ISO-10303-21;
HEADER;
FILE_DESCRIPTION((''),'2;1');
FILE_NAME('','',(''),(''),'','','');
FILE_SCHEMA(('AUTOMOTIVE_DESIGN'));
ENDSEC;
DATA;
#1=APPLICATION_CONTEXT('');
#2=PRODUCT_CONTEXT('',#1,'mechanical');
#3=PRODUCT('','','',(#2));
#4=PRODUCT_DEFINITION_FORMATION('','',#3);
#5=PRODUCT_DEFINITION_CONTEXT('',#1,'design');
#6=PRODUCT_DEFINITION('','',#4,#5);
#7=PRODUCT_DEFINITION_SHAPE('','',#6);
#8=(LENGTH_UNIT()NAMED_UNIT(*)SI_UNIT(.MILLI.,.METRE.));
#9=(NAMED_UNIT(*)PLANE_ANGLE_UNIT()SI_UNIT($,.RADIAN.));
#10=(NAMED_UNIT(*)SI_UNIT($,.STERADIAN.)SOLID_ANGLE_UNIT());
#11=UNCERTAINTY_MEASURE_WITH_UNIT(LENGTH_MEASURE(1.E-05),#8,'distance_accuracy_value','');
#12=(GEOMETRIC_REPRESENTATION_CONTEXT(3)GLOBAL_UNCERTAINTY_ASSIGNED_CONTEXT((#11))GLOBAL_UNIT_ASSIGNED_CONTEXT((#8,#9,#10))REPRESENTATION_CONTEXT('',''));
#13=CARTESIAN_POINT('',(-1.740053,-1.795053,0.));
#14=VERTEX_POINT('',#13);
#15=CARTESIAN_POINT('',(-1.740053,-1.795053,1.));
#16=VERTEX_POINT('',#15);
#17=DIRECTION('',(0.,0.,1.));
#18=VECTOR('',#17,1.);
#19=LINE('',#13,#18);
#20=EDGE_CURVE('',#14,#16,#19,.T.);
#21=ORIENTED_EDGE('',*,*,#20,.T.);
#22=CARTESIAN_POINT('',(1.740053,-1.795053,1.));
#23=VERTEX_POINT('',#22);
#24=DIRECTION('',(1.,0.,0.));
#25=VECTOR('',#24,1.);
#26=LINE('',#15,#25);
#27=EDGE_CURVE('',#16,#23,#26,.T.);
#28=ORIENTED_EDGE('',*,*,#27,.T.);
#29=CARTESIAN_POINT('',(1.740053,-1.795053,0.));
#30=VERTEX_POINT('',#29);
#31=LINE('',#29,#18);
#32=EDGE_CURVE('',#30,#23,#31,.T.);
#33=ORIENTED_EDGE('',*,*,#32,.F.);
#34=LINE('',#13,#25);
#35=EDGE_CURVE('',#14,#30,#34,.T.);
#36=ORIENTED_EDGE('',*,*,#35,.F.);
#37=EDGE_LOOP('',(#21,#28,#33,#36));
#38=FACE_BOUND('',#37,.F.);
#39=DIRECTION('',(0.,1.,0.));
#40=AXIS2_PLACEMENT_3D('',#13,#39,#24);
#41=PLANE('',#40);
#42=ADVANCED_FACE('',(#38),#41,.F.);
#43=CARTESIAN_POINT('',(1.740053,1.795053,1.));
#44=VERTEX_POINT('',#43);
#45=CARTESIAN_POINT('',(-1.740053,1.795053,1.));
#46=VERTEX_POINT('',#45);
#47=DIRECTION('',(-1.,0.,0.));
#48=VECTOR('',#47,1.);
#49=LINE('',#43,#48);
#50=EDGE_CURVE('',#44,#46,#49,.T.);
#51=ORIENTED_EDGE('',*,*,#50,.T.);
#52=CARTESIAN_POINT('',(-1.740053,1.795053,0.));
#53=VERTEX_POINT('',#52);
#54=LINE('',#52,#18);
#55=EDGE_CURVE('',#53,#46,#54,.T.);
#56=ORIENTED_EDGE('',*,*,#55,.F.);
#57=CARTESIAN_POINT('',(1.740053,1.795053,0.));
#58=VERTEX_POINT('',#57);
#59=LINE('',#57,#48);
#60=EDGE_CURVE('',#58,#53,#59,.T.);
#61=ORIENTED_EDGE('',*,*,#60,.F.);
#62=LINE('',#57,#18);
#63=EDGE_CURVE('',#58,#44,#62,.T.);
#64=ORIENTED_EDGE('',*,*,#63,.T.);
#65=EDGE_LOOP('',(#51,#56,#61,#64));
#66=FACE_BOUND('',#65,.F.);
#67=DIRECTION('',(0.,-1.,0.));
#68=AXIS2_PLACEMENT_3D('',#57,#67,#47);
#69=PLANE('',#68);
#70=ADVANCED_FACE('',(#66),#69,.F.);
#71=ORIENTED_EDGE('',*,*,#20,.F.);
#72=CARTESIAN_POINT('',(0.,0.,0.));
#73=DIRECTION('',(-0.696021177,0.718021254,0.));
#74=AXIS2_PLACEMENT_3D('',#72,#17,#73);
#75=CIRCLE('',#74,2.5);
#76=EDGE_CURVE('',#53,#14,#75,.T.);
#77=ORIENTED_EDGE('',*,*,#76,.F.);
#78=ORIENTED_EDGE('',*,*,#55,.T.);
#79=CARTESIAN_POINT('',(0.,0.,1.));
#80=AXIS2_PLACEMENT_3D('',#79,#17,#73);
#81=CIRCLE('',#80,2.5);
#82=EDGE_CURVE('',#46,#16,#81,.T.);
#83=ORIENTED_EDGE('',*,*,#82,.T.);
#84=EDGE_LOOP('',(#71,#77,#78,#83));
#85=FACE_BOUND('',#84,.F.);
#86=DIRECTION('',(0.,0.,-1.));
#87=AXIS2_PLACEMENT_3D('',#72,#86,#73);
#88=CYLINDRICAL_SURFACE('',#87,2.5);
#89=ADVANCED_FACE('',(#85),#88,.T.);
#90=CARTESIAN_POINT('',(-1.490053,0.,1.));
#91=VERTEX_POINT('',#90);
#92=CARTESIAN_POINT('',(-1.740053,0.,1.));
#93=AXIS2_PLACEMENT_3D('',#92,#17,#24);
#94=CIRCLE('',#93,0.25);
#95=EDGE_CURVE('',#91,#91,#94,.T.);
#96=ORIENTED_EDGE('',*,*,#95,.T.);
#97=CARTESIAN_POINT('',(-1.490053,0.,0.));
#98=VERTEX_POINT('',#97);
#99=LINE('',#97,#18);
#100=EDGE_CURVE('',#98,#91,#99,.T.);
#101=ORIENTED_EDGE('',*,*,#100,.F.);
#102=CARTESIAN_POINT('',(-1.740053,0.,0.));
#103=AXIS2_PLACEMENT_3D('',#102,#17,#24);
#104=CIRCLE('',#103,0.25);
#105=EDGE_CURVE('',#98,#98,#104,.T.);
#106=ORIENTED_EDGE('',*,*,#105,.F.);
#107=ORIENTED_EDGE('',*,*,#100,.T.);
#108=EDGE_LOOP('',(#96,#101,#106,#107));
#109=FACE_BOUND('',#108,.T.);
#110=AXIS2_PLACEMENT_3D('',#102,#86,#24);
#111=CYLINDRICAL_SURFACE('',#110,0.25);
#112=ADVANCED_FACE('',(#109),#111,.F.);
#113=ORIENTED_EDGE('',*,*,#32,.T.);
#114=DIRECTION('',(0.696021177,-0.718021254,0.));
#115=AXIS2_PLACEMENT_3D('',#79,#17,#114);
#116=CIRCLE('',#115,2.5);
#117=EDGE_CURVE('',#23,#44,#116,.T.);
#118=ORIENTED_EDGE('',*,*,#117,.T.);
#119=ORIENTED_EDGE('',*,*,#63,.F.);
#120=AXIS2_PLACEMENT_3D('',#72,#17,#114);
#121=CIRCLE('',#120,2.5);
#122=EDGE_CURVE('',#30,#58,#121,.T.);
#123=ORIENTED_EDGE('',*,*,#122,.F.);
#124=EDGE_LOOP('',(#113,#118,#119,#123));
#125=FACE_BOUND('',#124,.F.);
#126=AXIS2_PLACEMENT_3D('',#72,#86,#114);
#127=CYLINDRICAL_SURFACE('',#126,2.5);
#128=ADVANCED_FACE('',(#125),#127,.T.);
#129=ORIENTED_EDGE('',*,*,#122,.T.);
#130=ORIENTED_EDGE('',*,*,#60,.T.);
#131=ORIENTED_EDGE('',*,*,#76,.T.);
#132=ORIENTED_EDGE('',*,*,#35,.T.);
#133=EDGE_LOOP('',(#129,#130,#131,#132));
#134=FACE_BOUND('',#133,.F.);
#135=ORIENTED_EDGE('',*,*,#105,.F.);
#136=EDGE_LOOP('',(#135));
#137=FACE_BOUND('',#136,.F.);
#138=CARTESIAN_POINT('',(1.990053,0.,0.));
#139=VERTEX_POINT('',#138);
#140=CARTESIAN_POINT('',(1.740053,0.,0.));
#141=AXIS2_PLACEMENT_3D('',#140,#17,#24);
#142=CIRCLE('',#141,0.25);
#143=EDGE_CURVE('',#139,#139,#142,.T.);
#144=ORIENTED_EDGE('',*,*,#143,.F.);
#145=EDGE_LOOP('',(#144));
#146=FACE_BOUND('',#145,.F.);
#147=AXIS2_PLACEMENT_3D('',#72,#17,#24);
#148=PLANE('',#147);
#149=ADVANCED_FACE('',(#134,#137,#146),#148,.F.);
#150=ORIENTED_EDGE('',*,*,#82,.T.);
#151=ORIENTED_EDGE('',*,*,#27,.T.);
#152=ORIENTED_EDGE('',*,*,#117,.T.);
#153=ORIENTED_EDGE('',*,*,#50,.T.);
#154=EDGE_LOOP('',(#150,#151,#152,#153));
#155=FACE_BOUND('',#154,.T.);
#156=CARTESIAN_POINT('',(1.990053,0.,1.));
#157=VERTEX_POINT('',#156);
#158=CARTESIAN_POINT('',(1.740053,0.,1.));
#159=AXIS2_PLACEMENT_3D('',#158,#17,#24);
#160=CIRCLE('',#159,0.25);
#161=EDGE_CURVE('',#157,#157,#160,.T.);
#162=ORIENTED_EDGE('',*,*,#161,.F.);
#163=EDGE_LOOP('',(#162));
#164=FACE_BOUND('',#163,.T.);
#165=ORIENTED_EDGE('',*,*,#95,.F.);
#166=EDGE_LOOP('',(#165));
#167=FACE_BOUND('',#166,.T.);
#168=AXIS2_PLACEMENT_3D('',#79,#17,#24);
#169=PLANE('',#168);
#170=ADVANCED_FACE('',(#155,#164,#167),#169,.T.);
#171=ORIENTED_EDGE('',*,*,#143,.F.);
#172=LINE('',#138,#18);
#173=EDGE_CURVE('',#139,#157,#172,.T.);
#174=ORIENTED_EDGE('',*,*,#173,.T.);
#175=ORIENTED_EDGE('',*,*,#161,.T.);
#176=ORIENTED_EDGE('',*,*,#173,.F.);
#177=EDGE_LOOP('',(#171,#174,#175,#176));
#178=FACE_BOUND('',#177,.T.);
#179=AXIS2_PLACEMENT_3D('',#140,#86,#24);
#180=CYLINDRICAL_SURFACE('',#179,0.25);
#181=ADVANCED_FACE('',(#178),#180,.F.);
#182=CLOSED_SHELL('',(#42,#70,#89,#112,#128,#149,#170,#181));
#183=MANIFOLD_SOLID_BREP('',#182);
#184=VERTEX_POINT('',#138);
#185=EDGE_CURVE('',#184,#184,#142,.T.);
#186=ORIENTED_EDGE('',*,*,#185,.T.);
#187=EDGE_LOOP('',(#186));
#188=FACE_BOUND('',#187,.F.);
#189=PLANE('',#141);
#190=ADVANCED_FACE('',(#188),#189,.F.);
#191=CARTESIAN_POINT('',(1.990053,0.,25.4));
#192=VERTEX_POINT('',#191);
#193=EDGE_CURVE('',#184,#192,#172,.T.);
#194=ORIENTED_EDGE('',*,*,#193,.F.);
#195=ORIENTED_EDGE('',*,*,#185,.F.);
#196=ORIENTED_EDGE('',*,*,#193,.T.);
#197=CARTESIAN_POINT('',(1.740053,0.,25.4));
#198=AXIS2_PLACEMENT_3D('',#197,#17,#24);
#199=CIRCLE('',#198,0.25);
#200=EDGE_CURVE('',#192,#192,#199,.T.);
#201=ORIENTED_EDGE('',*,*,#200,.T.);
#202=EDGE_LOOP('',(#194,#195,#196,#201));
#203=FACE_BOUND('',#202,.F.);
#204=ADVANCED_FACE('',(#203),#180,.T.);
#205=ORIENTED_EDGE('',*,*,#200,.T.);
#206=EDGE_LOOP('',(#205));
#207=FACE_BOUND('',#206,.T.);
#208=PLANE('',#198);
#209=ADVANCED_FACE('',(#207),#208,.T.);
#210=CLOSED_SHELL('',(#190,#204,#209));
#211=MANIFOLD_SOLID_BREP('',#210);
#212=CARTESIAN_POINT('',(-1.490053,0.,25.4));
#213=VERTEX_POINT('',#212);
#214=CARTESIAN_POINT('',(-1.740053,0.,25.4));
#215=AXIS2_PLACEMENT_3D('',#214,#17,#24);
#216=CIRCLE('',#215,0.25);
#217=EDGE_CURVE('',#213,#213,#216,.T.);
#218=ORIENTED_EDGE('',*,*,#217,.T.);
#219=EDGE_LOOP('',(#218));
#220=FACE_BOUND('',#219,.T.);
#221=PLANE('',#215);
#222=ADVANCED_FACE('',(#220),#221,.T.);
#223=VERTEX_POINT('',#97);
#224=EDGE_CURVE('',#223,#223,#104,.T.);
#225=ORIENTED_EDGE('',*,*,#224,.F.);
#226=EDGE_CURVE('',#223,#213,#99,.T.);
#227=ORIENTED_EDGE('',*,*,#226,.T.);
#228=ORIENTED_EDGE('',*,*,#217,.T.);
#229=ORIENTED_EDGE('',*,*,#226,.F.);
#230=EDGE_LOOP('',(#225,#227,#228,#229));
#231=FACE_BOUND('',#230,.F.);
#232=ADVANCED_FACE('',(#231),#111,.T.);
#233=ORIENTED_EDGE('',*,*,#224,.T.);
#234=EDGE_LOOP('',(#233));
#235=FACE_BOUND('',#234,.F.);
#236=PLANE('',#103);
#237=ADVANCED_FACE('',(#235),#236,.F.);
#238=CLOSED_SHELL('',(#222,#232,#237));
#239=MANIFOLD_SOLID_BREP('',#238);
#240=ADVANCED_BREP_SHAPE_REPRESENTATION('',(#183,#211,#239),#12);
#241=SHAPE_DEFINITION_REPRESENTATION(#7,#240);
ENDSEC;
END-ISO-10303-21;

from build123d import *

# Parameters (mm, degrees)
F0_R     = 0.25
F1_DEPTH = 1
F2_DEPTH = 25.4


with BuildPart() as f1:
    # F0 (on Top) → F1 (new body)
    with BuildSketch(Plane.XY):
        with BuildLine():
            Line((1.740053, 1.795053), (-1.740053, 1.795053))
            ThreePointArc((-1.740053, 1.795053), (-2.5, 0), (-1.740053, -1.795053))
            Line((-1.740053, -1.795053), (1.740053, -1.795053))
            ThreePointArc((1.740053, -1.795053), (2.5, 0), (1.740053, 1.795053))
        make_face()
        with Locations((-1.740053, 0)):
            Circle(F0_R, mode=Mode.SUBTRACT)
        with Locations((1.740053, 0)):
            Circle(F0_R, mode=Mode.SUBTRACT)
    extrude(amount=F1_DEPTH)


with BuildPart() as f2:
    # F0 (on Top) → F2 (new body)
    with BuildSketch(Plane.XY):
        with Locations((1.740053, 0)):
            Circle(F0_R)
        with Locations((-1.740053, 0)):
            Circle(F0_R)
    extrude(amount=F2_DEPTH)


solid = Compound([f1.part, f2.part])
